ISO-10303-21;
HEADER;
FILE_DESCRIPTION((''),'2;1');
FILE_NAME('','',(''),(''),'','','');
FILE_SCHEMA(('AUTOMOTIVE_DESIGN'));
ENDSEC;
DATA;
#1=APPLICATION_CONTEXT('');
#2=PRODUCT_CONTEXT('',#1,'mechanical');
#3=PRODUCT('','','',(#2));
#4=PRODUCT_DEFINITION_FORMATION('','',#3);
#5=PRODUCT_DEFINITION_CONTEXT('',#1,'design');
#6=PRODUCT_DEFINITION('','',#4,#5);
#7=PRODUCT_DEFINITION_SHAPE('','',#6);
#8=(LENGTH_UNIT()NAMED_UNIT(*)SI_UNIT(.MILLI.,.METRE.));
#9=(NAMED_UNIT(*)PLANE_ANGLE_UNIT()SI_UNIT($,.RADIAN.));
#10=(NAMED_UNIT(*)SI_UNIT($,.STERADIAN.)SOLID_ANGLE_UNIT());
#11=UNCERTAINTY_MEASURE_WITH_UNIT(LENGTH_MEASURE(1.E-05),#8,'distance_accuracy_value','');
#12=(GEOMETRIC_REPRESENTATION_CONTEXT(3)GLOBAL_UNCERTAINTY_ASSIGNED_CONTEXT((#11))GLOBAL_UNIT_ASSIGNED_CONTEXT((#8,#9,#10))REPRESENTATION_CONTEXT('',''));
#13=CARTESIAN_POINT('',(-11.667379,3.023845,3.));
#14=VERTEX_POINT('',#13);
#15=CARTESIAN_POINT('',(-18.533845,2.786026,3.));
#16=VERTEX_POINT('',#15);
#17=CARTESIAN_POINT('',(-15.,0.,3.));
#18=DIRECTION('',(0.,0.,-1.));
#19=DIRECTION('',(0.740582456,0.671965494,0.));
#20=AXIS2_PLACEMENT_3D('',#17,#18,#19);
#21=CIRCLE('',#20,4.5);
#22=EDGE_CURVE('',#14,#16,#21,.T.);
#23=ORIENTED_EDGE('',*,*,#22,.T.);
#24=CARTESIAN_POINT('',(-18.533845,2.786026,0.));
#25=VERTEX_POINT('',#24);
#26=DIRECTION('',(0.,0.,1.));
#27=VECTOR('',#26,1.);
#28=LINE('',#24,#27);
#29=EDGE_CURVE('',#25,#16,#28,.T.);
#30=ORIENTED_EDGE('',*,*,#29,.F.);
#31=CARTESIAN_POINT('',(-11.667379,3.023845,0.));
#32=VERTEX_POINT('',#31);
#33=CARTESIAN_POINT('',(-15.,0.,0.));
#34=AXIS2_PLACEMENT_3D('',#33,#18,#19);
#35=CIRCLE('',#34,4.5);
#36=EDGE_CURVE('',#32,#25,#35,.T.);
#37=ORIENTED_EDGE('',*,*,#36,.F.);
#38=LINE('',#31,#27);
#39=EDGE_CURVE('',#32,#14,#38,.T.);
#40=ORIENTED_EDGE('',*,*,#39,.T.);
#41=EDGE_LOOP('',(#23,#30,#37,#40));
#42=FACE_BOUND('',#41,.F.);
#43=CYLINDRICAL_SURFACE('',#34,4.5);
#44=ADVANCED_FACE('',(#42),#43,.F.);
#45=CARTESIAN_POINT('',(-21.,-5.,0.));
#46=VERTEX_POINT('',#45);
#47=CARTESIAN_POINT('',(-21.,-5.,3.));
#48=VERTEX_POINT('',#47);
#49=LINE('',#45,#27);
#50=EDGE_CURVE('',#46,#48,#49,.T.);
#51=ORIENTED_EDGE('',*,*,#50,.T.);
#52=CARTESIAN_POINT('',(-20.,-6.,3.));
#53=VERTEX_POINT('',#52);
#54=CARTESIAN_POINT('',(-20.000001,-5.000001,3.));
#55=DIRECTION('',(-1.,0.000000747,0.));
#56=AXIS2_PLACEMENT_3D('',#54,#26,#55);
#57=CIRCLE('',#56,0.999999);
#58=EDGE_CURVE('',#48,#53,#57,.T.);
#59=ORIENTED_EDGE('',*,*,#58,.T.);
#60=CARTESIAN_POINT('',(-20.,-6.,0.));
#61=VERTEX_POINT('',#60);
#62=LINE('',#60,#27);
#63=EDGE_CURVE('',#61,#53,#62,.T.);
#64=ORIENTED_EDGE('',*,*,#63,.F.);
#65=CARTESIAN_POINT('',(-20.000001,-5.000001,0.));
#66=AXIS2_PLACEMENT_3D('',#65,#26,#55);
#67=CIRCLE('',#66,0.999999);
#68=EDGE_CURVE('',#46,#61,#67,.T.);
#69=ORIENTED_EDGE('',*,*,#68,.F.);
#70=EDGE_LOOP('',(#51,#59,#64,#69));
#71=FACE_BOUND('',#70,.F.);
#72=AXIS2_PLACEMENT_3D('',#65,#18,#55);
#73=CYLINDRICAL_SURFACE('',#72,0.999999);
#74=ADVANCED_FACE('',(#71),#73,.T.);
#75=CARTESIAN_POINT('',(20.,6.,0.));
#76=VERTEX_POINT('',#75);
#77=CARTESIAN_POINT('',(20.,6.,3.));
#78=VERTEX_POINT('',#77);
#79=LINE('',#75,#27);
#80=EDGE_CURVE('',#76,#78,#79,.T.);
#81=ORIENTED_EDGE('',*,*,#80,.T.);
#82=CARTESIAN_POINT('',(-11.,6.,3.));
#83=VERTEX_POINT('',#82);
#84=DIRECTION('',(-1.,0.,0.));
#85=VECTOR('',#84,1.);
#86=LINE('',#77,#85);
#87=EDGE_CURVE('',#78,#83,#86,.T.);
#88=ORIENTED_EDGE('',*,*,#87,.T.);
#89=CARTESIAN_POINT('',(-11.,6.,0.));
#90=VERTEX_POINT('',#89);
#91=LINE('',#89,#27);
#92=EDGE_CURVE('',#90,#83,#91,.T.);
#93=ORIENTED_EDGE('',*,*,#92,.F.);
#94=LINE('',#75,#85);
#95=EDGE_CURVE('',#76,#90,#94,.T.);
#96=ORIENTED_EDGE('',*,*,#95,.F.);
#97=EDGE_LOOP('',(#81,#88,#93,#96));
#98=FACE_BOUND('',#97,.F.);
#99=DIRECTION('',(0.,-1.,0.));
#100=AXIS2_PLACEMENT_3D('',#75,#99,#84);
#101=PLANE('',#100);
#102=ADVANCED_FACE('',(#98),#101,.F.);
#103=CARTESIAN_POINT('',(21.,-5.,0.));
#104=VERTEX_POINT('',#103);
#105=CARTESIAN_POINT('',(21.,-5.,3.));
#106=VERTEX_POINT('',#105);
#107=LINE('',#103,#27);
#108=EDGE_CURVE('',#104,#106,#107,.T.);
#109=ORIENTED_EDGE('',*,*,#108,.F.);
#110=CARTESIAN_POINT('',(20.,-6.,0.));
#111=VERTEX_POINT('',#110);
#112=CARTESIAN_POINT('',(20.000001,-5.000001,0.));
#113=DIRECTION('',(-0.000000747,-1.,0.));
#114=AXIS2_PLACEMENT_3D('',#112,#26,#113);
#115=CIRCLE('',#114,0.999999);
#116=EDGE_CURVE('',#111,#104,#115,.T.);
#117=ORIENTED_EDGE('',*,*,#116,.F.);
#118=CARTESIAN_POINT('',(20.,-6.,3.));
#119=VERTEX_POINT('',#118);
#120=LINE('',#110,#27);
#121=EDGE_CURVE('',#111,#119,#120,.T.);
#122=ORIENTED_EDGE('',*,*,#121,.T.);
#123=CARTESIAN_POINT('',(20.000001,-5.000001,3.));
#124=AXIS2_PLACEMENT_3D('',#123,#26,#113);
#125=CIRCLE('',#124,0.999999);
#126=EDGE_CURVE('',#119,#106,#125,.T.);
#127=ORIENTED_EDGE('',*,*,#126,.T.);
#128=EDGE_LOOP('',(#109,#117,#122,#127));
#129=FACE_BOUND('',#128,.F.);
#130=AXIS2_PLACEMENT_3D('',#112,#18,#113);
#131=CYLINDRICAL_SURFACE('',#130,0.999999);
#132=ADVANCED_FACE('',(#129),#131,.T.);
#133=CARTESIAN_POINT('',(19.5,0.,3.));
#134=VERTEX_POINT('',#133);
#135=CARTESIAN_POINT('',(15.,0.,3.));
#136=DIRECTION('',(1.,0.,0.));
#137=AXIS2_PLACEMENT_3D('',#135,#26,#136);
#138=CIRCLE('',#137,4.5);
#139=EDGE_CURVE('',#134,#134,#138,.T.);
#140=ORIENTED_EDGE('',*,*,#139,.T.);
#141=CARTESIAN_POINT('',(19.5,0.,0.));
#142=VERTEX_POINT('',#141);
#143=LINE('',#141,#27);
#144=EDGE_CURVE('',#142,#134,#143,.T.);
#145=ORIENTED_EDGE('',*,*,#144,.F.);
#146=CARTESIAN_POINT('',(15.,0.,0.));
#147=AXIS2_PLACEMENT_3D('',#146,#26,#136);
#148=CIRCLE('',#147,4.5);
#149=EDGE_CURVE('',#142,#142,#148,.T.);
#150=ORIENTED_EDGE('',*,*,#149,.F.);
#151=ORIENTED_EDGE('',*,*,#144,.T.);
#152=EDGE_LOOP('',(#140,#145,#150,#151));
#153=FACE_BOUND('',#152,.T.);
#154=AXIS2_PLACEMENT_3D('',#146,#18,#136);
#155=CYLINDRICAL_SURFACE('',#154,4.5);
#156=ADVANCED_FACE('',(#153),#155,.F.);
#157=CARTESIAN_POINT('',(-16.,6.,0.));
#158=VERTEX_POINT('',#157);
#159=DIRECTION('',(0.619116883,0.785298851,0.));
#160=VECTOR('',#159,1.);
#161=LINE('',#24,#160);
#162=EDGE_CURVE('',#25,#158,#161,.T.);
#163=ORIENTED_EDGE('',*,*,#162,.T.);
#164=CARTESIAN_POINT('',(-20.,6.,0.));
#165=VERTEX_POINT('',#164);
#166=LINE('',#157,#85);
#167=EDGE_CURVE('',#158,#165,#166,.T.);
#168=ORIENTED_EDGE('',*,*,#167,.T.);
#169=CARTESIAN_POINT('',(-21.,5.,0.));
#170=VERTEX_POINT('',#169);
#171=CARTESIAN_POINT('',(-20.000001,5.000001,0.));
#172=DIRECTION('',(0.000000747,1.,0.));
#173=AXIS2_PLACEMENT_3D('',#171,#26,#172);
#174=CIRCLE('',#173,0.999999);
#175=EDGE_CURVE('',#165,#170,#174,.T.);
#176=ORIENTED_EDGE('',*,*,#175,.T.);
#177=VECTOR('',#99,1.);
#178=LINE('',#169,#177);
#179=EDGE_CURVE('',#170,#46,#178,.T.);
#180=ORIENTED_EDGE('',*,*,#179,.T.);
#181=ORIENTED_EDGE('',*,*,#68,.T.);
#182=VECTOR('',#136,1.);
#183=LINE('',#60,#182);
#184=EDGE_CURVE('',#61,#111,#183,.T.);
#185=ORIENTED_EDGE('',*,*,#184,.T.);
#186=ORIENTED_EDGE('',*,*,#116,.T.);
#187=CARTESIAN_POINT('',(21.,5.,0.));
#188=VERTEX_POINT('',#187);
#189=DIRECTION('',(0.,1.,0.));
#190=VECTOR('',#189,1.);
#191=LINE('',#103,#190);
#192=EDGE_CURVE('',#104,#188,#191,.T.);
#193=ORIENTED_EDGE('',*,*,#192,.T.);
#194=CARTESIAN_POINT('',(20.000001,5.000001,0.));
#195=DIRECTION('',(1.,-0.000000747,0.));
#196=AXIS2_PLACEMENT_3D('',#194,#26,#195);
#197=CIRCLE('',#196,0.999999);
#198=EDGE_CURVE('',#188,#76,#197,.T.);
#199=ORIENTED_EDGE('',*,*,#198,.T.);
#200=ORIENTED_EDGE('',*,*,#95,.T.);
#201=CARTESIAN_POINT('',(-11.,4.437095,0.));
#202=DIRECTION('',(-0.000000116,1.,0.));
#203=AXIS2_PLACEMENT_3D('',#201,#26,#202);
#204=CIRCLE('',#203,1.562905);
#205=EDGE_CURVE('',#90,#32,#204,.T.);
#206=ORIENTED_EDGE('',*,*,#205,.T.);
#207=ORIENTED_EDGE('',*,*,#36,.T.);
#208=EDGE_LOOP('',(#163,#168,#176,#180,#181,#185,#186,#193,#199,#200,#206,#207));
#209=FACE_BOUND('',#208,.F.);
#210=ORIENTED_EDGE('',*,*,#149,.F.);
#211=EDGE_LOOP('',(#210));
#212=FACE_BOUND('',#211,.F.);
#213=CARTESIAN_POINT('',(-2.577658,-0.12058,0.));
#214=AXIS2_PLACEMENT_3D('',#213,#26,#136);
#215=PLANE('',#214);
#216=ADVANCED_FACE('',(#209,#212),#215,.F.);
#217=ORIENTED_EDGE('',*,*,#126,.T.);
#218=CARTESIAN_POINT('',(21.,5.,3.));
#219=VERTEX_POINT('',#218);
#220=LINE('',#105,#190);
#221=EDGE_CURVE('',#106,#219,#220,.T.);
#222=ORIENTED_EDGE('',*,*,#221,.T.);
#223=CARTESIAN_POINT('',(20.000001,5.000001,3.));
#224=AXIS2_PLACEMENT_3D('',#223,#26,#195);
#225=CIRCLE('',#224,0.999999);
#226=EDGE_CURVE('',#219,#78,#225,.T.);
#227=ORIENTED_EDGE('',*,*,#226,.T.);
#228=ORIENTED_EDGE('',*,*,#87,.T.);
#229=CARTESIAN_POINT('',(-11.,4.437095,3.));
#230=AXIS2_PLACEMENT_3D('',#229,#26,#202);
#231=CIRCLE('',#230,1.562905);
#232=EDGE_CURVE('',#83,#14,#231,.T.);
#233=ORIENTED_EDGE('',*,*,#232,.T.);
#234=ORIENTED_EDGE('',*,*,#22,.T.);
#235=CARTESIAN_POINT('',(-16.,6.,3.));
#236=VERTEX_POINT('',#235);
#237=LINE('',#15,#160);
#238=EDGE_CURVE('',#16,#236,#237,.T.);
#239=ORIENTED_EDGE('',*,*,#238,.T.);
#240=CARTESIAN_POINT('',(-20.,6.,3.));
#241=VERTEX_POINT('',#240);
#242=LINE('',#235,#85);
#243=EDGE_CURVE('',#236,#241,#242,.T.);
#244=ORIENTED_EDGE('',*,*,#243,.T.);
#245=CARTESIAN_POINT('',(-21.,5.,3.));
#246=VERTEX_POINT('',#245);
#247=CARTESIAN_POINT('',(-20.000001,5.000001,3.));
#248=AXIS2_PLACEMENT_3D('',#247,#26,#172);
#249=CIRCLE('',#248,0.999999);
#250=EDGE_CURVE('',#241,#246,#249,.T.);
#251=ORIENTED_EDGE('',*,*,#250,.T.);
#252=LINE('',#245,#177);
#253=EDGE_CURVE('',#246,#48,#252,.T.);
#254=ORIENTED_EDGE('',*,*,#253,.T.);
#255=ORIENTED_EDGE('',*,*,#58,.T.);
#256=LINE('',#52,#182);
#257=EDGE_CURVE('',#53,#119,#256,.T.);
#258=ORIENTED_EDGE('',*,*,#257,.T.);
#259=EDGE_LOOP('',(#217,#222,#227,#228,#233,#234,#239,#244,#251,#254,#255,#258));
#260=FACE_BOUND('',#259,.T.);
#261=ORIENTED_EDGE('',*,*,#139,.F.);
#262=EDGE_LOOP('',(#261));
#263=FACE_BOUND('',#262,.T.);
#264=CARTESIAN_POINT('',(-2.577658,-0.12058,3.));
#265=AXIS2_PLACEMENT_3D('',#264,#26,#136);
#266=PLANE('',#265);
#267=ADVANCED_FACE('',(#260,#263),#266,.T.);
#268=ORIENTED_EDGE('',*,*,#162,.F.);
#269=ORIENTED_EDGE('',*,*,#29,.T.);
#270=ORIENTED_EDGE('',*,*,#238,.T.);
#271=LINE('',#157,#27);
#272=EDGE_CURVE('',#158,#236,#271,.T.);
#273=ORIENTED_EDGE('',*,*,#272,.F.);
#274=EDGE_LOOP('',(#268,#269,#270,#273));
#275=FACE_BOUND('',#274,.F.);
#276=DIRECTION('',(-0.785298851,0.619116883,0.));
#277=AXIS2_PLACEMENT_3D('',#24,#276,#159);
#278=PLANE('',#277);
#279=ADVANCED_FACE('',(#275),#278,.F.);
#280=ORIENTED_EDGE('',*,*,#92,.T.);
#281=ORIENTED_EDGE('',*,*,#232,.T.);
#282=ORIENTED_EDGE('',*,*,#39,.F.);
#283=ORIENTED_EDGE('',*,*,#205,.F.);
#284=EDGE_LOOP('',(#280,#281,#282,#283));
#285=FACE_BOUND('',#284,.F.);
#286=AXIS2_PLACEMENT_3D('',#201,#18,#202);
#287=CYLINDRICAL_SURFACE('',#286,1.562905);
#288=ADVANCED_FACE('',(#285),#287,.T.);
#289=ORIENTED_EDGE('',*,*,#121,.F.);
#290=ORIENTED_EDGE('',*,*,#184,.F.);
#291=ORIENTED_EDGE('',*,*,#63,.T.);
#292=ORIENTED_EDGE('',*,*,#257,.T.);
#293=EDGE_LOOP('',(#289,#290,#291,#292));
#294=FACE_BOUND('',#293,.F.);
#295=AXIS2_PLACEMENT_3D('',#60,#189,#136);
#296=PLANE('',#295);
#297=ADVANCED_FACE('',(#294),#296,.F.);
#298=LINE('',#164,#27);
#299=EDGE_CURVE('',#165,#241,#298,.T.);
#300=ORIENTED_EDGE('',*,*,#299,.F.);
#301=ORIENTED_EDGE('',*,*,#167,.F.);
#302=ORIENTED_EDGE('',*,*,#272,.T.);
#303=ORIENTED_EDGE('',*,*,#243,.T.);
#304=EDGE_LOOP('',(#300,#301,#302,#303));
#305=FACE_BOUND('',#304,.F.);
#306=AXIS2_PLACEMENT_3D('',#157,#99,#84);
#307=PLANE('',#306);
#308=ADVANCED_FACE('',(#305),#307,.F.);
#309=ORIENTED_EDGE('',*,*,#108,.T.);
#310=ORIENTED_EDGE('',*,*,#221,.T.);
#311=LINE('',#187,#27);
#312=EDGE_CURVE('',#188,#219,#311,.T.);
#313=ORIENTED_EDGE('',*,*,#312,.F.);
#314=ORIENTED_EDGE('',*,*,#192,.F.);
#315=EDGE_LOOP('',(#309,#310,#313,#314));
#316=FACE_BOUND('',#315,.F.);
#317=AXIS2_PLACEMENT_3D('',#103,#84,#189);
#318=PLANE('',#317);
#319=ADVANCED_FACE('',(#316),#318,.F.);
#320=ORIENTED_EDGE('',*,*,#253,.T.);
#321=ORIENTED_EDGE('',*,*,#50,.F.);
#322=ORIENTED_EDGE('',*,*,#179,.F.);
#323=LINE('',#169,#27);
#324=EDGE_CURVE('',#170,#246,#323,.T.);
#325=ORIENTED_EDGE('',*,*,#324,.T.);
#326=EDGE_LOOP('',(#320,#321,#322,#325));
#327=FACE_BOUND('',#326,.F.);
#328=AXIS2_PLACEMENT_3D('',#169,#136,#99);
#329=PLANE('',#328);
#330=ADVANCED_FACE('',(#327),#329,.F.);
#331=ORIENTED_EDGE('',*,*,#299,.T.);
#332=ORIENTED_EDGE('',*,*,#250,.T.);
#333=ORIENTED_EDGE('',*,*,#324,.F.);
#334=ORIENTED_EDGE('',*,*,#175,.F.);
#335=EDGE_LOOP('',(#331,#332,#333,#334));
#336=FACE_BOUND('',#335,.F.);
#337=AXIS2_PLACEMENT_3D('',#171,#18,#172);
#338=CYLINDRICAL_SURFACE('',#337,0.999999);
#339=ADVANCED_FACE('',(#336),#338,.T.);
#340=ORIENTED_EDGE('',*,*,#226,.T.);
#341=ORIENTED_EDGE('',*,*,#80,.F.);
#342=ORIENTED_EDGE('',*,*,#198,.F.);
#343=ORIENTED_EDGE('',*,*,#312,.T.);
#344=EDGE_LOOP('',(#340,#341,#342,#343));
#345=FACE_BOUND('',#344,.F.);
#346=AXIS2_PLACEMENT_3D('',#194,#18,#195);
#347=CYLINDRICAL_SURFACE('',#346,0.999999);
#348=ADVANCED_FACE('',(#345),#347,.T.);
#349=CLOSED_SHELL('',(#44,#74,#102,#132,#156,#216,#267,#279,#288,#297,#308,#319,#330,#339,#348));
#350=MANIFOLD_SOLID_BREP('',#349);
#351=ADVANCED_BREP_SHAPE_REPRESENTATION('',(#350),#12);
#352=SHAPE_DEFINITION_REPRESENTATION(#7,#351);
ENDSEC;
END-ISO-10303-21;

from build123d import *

# Parameters (mm, degrees)
F0_R     = 4.5
F1_DEPTH = 3


with BuildPart() as f1:
    # F0 (on Top) → F1 (new body)
    with BuildSketch(Plane.XY):
        with BuildLine():
            Line((-16, 6), (-20, 6))
            ThreePointArc((-20, 6), (-20.707107, 5.707107), (-21, 5))
            Line((-21, 5), (-21, -5))
            ThreePointArc((-21, -5), (-20.707107, -5.707107), (-20, -6))
            Line((-20, -6), (20, -6))
            ThreePointArc((20, -6), (20.707107, -5.707107), (21, -5))
            Line((21, -5), (21, 5))
            ThreePointArc((21, 5), (20.707107, 5.707107), (20, 6))
            Line((20, 6), (-11, 6))
            ThreePointArc((-11, 6), (-12.525032, 4.779072), (-11.667379, 3.023845))
            ThreePointArc((-11.667379, 3.023845), (-14.844236, -4.497303), (-18.533845, 2.786026))
            Line((-18.533845, 2.786026), (-16, 6))
        make_face()
        with Locations((15, 0)):
            Circle(F0_R, mode=Mode.SUBTRACT)
    extrude(amount=F1_DEPTH)


solid = f1.part
